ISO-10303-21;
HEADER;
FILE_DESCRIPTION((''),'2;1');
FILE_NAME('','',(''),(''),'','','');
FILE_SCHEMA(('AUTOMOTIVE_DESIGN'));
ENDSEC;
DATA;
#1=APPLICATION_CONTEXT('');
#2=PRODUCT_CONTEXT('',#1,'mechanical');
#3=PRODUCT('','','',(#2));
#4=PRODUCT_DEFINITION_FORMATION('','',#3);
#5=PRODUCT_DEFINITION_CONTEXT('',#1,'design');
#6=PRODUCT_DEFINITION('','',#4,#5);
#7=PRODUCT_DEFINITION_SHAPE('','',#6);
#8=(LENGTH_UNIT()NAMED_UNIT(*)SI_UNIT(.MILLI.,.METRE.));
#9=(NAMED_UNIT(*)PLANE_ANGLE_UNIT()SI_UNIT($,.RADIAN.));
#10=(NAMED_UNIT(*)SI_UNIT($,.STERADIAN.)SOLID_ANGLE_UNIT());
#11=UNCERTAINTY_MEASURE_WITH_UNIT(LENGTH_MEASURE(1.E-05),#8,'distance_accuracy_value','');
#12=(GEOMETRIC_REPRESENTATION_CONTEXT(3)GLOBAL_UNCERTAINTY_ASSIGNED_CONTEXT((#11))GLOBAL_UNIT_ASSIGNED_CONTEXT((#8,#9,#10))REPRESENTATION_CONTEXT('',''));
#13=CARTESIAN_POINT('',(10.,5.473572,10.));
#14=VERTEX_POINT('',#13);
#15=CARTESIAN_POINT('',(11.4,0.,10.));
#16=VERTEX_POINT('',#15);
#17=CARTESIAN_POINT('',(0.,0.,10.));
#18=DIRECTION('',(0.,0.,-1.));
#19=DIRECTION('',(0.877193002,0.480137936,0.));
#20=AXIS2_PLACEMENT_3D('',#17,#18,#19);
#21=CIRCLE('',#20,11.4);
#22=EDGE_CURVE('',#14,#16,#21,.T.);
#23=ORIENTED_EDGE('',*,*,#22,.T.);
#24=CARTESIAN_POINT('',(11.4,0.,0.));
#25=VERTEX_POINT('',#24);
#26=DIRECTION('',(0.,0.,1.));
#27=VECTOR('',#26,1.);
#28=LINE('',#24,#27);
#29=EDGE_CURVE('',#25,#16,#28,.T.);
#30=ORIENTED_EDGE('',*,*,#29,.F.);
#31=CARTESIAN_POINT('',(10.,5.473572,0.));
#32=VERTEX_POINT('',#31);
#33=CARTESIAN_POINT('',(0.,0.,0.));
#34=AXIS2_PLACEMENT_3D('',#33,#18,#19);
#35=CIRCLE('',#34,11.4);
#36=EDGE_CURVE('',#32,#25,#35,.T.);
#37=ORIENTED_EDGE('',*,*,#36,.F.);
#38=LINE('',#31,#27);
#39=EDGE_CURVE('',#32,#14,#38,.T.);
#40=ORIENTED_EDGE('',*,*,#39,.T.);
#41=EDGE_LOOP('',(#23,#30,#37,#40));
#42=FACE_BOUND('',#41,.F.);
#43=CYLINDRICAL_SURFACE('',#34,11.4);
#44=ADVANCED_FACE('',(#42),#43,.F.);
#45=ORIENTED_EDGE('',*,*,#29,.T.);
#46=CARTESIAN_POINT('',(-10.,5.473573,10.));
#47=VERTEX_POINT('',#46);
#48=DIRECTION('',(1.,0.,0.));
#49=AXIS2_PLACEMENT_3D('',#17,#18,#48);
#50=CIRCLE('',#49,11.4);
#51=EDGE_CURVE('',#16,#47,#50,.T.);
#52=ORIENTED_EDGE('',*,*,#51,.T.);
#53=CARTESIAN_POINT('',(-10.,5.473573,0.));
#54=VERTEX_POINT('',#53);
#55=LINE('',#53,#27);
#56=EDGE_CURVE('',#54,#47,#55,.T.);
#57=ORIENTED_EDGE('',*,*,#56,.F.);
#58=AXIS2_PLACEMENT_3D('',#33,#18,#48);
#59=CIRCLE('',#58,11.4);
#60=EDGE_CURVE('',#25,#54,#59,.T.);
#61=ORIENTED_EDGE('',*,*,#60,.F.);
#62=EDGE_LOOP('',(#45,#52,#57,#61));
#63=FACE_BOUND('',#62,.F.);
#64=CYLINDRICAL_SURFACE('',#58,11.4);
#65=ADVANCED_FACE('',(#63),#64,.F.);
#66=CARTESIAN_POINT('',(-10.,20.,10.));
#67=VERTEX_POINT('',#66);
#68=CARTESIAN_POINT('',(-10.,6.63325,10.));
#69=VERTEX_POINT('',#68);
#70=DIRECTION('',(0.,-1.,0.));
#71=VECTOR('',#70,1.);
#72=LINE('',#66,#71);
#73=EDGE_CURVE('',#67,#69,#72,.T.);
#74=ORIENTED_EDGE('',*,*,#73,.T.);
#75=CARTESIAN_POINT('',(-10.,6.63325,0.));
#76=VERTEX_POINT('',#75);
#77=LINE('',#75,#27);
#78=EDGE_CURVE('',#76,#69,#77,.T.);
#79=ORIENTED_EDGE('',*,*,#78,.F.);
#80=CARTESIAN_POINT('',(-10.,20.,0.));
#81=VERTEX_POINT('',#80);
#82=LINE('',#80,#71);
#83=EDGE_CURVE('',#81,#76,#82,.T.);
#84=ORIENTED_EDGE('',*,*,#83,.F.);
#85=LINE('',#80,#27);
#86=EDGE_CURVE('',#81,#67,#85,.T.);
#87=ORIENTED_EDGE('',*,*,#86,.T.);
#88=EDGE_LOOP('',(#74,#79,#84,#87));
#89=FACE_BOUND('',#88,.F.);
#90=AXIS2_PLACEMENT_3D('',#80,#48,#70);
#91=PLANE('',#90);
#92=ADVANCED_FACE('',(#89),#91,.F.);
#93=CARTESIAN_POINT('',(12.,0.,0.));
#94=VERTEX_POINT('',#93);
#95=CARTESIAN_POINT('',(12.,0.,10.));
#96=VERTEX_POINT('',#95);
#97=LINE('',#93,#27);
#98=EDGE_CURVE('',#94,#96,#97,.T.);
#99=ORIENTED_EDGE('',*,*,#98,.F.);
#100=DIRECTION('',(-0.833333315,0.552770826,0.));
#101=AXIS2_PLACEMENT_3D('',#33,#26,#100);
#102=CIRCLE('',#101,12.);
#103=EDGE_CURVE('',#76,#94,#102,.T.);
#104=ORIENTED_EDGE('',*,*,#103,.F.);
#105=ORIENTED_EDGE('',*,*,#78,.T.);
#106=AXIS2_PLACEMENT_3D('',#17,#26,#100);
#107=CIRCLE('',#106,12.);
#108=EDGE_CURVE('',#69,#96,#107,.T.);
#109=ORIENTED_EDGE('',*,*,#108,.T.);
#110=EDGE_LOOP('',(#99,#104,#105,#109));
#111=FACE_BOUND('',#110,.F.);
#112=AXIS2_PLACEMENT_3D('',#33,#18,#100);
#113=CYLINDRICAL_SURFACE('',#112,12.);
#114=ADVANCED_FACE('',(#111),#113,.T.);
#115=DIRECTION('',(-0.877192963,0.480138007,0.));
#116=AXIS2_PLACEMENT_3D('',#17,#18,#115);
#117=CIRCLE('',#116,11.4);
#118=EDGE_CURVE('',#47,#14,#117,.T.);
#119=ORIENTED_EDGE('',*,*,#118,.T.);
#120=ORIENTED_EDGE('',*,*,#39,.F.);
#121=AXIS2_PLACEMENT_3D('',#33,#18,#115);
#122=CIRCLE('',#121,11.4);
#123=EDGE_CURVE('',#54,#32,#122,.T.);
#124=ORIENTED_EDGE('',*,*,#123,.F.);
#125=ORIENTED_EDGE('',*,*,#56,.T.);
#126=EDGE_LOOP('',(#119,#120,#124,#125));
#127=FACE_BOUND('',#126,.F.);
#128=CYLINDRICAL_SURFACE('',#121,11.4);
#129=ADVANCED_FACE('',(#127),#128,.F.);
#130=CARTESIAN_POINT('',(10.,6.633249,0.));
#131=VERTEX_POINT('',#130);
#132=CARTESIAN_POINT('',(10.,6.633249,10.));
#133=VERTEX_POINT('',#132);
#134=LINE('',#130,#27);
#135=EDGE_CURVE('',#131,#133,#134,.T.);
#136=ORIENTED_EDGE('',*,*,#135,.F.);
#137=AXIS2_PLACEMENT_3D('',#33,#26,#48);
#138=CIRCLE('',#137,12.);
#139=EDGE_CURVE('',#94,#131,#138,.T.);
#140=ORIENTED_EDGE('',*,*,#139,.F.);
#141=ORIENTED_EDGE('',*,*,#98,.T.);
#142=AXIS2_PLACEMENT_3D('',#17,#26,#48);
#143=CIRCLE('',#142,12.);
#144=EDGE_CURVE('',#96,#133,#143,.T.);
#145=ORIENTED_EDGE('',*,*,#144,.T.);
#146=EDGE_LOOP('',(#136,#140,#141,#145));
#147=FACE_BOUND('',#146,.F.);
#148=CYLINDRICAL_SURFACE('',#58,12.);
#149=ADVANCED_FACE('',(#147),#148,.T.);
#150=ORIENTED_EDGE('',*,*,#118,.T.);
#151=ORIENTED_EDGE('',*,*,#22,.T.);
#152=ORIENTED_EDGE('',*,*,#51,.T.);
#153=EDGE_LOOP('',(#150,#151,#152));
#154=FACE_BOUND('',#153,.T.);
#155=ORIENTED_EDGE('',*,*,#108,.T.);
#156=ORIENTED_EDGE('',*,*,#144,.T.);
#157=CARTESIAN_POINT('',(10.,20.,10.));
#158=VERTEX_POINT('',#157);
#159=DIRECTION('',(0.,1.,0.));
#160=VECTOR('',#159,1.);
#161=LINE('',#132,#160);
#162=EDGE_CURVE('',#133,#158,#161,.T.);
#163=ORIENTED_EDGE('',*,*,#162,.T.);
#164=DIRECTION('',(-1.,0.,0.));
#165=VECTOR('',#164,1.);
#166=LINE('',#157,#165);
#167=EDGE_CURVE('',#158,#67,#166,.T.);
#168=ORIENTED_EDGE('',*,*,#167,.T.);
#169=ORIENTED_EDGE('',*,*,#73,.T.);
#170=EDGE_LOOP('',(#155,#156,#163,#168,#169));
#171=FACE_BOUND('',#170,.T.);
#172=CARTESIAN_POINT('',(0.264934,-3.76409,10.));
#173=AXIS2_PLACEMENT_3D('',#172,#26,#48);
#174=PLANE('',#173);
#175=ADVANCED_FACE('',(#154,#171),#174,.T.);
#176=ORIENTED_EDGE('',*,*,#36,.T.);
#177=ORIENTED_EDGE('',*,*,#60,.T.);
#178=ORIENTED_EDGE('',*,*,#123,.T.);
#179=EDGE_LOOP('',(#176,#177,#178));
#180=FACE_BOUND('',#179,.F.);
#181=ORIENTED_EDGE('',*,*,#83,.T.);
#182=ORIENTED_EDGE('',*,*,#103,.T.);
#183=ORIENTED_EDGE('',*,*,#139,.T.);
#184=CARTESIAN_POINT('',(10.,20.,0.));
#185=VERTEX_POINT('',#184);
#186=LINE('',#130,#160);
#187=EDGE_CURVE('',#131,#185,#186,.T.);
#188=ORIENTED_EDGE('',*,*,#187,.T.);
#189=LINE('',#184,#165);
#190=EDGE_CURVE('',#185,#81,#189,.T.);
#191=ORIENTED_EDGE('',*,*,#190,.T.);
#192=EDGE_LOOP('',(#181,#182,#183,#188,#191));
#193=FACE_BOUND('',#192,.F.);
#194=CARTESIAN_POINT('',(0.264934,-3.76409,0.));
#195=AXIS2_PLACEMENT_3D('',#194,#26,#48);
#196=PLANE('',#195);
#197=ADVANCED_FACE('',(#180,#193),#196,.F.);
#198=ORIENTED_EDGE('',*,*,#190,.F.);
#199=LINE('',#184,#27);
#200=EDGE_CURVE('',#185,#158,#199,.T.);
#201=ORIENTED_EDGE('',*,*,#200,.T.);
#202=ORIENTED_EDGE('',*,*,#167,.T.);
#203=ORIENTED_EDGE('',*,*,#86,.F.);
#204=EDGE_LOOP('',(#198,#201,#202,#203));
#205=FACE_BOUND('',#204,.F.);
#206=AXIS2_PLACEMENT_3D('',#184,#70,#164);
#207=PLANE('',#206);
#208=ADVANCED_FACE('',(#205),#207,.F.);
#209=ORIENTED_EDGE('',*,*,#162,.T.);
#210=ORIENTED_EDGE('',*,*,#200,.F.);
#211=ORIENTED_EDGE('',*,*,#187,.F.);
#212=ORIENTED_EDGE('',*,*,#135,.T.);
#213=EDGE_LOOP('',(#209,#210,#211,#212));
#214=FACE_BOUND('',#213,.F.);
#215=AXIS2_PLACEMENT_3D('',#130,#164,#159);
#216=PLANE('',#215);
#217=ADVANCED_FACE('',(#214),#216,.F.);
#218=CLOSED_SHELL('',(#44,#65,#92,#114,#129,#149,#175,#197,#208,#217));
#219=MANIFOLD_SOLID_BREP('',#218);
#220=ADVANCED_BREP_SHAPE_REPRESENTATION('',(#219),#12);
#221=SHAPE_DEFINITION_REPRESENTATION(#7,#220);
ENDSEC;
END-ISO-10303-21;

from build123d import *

# Parameters (mm, degrees)
F1_DEPTH = 10


with BuildPart() as f1:
    # F0 (on Top) → F1 (new body)
    with BuildSketch(Plane.XY):
        with BuildLine():
            ThreePointArc((10.0000002235, 5.473572465), (11.0444556803, 2.8248891529), (11.4, 0))
            ThreePointArc((11.4, 0), (-2.8248896039, -11.0444555649), (-9.9999997765, 5.4735732817))
            Line((-9.9999997765, 5.4735732817), (-9.9999997765, 6.6332499177))
            ThreePointArc((-9.9999997765, 6.6332499177), (-3.4641018087, -11.4891252347), (12, 0))
            ThreePointArc((12, 0), (11.4891253514, 3.4641014216), (10.0000002235, 6.6332492437))
            Line((10.0000002235, 6.6332492437), (10.0000002235, 5.473572465))
        make_face()
        with BuildLine():
            ThreePointArc((-9.9999997765, 5.4735732817), (4.655e-07, 11.4), (10.0000002235, 5.473572465))
            Line((10.0000002235, 5.473572465), (10.0000002235, 6.6332492437))
            ThreePointArc((10.0000002235, 6.6332492437), (4.044e-07, 12), (-9.9999997765, 6.6332499177))
            Line((-9.9999997765, 6.6332499177), (-9.9999997765, 5.4735732817))
        make_face()
        with BuildLine():
            ThreePointArc((-9.9999997765, 6.6332499177), (4.044e-07, 12), (10.0000002235, 6.6332492437))
            Line((10.0000002235, 6.6332492437), (10.0000002235, 20))
            Line((10.0000002235, 20), (-9.9999997765, 20))
            Line((-9.9999997765, 20), (-9.9999997765, 6.6332499177))
        make_face()
    extrude(amount=F1_DEPTH)


solid = f1.part
